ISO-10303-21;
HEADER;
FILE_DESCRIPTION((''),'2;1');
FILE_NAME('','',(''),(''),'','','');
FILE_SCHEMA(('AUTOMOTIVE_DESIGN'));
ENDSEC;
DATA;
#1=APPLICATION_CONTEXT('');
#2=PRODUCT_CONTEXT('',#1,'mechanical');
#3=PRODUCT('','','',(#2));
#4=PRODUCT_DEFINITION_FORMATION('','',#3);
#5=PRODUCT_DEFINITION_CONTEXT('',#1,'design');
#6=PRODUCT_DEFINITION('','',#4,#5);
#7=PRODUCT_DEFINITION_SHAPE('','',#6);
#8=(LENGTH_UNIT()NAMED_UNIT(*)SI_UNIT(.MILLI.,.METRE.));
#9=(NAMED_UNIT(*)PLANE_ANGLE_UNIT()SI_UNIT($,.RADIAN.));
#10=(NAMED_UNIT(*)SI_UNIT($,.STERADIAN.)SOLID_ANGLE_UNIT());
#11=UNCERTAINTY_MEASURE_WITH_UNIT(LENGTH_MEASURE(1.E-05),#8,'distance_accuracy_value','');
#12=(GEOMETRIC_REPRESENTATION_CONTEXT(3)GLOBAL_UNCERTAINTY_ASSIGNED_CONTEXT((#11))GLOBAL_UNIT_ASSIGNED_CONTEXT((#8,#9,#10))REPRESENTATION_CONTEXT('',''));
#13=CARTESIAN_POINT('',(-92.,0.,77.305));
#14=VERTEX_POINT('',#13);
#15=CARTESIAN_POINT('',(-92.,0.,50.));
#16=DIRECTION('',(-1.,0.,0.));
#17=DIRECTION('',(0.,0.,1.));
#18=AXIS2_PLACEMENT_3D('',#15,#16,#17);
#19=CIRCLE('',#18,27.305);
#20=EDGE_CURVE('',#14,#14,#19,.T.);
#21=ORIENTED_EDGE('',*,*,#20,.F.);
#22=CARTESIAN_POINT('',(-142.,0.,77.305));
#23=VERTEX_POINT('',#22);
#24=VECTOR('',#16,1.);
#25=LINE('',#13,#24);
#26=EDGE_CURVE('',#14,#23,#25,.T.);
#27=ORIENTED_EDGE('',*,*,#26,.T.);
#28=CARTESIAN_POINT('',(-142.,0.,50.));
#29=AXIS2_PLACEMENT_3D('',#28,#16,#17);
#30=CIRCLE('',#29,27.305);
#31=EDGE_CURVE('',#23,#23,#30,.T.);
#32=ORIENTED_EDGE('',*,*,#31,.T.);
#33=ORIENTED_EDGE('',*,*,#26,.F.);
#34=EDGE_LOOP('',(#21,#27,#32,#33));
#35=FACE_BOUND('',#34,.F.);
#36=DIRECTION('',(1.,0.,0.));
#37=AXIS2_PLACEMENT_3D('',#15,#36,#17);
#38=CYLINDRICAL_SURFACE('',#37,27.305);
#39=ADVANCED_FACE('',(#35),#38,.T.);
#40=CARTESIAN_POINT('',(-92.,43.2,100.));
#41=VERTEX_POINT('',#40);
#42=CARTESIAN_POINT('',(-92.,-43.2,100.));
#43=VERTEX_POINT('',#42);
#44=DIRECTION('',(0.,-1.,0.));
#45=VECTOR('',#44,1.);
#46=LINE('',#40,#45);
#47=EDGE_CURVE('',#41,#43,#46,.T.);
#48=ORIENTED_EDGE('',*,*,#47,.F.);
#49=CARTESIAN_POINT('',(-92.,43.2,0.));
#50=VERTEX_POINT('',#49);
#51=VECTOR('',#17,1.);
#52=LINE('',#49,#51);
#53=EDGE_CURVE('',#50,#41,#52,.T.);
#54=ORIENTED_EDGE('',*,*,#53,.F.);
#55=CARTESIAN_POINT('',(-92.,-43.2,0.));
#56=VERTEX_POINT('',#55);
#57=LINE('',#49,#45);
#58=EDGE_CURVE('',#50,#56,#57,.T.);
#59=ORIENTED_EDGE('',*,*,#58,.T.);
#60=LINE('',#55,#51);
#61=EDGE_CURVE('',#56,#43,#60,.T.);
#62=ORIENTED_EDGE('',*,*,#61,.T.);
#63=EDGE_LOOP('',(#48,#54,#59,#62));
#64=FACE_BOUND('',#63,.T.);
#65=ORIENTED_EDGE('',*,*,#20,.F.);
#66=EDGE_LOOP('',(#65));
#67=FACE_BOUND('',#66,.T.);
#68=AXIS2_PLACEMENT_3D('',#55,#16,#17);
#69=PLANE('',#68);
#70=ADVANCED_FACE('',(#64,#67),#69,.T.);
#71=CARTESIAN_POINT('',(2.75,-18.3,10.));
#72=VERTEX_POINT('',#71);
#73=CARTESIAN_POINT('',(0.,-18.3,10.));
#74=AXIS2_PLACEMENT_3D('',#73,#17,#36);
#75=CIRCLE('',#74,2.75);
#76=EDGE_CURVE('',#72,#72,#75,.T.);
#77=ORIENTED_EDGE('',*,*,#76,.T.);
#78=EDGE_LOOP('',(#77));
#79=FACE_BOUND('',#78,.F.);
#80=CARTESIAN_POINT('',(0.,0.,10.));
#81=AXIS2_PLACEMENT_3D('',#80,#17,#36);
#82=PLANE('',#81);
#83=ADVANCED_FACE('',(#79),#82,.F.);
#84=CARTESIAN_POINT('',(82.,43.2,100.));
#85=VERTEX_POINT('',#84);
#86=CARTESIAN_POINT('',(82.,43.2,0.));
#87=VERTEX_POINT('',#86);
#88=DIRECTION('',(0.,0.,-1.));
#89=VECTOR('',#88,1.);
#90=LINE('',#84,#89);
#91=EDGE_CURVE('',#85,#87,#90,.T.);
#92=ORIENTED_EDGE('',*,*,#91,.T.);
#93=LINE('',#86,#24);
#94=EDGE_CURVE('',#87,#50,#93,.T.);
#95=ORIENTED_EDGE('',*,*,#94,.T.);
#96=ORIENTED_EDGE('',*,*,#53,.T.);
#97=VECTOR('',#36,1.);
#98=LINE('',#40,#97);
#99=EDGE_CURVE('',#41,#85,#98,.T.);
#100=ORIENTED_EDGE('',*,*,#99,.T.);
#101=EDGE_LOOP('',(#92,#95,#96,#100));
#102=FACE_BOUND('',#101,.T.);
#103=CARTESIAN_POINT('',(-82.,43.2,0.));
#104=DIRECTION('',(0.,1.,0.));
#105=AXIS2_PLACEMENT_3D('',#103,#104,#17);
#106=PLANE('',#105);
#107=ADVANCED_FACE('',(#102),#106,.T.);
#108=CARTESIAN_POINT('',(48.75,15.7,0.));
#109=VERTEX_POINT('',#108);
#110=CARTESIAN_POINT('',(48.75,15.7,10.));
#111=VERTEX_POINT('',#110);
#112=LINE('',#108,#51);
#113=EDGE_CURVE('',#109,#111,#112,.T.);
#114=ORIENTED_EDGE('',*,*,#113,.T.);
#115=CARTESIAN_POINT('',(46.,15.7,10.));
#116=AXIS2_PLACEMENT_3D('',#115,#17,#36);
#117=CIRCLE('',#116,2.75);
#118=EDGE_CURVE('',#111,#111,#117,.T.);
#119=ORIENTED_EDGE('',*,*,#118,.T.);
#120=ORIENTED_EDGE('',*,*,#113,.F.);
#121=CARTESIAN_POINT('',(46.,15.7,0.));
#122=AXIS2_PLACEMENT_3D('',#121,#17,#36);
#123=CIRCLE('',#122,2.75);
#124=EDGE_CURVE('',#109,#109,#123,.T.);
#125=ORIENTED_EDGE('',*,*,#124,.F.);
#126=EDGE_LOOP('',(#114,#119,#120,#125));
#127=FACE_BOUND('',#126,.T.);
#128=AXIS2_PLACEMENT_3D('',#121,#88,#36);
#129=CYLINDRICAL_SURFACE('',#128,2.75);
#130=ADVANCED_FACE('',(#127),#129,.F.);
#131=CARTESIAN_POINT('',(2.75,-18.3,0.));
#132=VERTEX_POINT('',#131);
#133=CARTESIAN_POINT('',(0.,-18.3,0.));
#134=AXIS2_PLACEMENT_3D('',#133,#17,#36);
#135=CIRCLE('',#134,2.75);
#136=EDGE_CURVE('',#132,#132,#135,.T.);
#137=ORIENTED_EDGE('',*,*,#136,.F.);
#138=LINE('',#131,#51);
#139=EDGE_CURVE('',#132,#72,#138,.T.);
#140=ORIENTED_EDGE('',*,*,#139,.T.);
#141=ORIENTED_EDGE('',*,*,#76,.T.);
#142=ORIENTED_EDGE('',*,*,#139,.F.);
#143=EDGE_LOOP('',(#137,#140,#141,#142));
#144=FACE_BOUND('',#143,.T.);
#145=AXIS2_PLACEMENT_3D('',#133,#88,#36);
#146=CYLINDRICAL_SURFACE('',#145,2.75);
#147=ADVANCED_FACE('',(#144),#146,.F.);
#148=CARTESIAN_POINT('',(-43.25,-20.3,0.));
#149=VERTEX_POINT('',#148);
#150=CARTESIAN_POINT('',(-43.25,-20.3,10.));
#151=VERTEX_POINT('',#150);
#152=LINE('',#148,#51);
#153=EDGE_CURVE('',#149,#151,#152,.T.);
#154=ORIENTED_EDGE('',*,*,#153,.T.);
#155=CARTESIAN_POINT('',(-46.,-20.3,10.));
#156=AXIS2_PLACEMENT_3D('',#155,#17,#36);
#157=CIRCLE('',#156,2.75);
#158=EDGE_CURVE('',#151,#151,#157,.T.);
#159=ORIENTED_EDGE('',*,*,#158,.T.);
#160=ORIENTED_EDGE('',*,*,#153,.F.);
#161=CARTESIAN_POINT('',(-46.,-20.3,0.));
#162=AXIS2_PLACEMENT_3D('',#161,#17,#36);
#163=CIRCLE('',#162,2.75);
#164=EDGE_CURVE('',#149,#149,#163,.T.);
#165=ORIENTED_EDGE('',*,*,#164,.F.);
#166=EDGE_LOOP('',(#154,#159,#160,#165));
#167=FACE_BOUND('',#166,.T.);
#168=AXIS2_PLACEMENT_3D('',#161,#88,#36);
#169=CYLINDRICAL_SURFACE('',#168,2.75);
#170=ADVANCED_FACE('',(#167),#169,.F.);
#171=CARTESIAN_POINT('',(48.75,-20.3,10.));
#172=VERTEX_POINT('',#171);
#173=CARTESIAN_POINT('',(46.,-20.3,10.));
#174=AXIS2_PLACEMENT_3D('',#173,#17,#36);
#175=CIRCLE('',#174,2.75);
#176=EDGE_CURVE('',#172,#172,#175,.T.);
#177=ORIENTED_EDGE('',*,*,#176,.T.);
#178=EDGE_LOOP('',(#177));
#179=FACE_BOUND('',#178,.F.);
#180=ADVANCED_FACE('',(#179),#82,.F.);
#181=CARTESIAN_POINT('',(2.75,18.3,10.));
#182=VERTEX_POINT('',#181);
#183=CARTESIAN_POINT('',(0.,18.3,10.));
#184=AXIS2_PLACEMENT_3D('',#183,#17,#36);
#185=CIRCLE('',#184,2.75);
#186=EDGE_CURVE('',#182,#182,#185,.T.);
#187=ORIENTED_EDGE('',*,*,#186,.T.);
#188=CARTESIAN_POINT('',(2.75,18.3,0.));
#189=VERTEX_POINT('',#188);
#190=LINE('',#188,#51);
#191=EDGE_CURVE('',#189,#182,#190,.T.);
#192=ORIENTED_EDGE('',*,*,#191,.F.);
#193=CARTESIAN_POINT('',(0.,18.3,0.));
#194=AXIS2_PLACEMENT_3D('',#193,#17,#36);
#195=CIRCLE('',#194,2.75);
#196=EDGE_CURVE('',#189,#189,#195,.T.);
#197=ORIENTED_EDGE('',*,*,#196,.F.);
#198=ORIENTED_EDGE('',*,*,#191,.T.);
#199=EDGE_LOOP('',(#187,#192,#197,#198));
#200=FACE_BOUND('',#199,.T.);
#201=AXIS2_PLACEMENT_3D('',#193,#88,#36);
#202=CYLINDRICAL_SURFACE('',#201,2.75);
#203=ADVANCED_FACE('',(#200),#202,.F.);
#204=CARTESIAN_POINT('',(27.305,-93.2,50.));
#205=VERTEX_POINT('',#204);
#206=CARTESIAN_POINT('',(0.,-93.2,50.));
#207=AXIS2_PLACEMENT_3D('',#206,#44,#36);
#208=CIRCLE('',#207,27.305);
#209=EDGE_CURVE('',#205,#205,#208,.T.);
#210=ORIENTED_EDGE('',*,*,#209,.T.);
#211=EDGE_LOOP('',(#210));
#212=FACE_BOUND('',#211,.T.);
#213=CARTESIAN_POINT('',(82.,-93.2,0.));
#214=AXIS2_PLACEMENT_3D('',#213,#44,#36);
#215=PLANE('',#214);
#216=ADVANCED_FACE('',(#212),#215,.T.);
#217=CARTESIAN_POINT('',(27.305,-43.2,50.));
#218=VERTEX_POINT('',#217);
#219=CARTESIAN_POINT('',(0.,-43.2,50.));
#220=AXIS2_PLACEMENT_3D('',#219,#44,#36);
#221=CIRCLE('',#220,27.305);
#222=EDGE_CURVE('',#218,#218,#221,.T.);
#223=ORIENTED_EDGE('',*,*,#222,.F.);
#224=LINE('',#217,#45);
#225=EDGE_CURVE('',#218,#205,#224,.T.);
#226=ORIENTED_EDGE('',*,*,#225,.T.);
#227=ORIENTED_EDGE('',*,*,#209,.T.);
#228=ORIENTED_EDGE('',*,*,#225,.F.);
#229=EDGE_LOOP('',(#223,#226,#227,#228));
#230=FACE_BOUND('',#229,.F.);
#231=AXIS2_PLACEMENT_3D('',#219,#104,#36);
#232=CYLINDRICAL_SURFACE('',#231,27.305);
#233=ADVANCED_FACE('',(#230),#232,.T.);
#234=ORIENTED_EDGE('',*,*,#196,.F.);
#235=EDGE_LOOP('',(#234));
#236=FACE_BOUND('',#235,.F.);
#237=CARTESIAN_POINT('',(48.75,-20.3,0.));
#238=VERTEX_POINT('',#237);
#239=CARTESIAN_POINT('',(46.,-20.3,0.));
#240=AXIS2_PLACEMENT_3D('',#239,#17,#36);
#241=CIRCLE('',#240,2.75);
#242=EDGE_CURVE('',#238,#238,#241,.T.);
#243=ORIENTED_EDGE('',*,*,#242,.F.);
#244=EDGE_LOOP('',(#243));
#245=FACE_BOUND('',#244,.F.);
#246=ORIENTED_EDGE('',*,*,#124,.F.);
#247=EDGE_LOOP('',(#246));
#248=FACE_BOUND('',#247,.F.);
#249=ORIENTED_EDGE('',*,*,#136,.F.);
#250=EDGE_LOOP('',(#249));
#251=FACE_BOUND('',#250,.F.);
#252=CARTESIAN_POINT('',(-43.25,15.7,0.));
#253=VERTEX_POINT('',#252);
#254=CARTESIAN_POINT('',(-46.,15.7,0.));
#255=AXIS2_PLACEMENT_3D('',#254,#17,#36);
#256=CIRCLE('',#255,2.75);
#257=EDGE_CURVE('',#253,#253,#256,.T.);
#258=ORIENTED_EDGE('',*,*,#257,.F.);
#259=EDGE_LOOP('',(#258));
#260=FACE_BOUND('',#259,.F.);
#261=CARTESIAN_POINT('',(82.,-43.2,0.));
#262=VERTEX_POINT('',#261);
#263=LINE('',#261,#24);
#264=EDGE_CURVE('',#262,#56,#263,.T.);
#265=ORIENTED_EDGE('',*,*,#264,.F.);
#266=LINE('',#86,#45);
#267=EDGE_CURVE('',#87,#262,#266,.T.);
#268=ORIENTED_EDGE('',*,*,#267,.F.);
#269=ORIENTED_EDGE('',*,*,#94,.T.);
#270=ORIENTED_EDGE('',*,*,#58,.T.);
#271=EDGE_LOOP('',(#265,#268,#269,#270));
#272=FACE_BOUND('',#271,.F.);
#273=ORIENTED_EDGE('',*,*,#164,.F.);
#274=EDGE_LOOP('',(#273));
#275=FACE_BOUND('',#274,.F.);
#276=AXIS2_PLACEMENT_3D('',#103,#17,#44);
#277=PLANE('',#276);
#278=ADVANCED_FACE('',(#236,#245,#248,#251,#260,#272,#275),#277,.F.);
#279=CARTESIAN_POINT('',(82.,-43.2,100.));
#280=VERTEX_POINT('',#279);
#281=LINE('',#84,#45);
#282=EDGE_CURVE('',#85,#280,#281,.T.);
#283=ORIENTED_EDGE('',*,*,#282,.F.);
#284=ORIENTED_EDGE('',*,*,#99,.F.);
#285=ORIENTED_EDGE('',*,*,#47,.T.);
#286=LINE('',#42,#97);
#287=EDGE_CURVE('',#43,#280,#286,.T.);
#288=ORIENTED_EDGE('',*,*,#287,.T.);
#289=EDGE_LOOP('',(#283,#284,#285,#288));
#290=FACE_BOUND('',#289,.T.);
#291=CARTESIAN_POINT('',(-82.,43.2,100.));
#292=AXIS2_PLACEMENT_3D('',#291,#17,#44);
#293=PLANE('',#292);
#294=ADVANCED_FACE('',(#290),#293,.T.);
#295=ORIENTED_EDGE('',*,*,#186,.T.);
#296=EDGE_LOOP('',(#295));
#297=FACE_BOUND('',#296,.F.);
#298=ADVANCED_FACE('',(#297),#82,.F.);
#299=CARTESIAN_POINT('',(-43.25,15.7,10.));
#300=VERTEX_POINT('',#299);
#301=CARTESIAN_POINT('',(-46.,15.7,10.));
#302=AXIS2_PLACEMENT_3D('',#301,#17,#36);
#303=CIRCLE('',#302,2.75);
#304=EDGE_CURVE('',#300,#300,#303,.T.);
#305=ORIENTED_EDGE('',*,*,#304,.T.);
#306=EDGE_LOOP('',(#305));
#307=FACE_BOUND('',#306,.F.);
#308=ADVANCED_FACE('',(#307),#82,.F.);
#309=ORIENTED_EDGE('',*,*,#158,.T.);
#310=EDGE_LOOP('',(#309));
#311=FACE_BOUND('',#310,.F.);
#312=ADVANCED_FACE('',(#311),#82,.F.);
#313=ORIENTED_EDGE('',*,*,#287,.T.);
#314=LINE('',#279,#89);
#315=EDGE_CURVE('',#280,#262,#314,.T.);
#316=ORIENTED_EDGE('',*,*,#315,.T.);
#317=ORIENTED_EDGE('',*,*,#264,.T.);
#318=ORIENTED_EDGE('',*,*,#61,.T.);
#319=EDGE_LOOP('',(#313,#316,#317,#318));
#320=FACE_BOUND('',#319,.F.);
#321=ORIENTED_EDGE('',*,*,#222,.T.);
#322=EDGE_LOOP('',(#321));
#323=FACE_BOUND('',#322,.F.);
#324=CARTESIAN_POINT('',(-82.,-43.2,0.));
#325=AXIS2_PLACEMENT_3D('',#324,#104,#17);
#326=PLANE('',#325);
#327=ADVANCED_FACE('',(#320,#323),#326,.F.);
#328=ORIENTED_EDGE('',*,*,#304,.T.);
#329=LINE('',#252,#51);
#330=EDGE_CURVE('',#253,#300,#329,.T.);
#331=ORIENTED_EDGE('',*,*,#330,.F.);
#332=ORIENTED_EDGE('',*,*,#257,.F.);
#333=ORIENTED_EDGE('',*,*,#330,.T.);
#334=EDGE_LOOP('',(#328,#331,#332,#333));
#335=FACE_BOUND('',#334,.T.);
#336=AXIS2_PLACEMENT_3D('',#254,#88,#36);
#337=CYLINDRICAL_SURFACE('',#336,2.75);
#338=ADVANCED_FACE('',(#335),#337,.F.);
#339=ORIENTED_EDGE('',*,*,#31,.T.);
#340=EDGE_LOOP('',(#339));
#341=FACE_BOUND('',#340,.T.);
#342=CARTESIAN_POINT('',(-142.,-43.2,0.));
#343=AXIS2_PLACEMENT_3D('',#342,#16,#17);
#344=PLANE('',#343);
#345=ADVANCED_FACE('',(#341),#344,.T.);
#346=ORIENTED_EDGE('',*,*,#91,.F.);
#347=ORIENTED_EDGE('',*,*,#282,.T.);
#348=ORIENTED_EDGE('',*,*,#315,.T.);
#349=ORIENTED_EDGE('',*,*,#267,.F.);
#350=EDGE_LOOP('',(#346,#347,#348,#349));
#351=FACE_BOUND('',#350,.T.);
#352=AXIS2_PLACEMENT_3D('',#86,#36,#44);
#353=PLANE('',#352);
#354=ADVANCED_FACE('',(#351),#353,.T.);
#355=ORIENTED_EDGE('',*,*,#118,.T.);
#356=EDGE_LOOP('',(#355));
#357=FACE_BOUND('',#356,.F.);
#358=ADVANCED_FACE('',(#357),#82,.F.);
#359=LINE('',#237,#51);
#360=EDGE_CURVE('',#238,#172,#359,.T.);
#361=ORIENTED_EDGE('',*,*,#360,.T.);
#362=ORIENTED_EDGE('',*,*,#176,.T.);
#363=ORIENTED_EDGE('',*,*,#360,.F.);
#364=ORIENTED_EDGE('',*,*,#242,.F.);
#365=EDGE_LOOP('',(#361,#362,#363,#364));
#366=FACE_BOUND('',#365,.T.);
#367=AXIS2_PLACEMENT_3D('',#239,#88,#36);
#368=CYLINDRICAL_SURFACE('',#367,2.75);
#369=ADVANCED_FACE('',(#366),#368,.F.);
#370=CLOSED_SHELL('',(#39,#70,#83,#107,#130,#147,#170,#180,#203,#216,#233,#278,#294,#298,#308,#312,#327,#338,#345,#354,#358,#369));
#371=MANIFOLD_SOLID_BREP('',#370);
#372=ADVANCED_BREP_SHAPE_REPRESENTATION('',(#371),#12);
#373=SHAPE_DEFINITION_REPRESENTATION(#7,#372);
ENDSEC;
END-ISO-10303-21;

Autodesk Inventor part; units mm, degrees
ref_plane "YZ Plane" through (0, 0, 0) normal (1, 0, 0) x (0, 1, 0)
ref_plane "XZ Plane" through (0, 0, 0) normal (0, 1, 0) x (-1, 0, 0)
ref_plane "XY Plane" through (0, 0, 0) normal (0, 0, 1) x (1, 0, 0)
sketch "Sketch1" plane through (0, 0, 0) normal (0, 0, 1) x (1, 0, 0)
  line L0 (-13.5, 24) -> (13.5, 24) construction
  line L1 (13.5, 24) -> (13.5, -24) construction
  line L2 (13.5, -24) -> (-13.5, -24) construction
  line L3 (-13.5, -24) -> (-13.5, 24) construction
  line L4 (-13.5, 0) -> (13.5, 0) construction
  line L5 (0, -24) -> (0, 24) construction
  circle A0 centre (0, 18.3) radius 2.75
  circle A1 centre (0, -18.3) radius 2.75
  line L6 (-60, 21.2) -> (-32, 21.2) construction
  line L7 (-32, 21.2) -> (-32, -25.8) construction
  line L8 (-32, -25.8) -> (-60, -25.8) construction
  line L9 (-60, -25.8) -> (-60, 21.2) construction
  line L10 (-46, 21.2) -> (-46, -25.8) construction
  line L11 (-60, -2.3) -> (-32, -2.3) construction
  circle A2 centre (-46, 15.7) radius 2.75
  circle A3 centre (-46, -20.3) radius 2.75
  circle A4 centre (46, 15.7) radius 2.75
  circle A5 centre (46, -20.3) radius 2.75
  line L12 (-82, 43.2) -> (82, 43.2)
  line L13 (82, 43.2) -> (82, -43.2)
  line L14 (82, -43.2) -> (-82, -43.2)
  line L15 (-82, -43.2) -> (-82, 43.2)
  point P0 (0, 0)
  point P1 (0, 0)
  dimension "d0" = 27
  dimension "d1" = 48
  dimension "d2" = 5.5
  dimension "d3" = 36.6
  dimension "d4" = 28
  dimension "d5" = 47
  dimension "d7" = 2.3
  dimension "d8" = 46
  dimension "d9" = 5.5
  dimension "d10" = 36
  dimension "d11" = 22
  dimension "d19" = 43.2
extrude "Extrusion1" add sketch "Sketch1" along normal blind 10
sketch "Sketch3" plane through (0, 0, 10) normal (0, 0, 1) x (1, 0, 0)
  line L0 (-82, 43.2) -> (-82, -43.2) projected
  line L1 (-82, -43.2) -> (82, -43.2) projected
  line L2 (-82, 43.2) -> (82, 43.2)
  line L3 (82, 43.2) -> (82, -43.2)
  line L4 (82, -43.2) -> (-82, -43.2)
  line L5 (-82, -43.2) -> (-82, 43.2)
  point P0 (0, 0)
extrude "Extrusion3" add sketch "Sketch3" along normal blind 90
sketch "Sketch4" plane through (-82, -43.2, 0) normal (-1, 0, 0) x (0, 0, 1)
  line L0 (0, 86.4) -> (0, 0) projected
  line L1 (0, 0) -> (100, 0) projected
  line L2 (100, 86.4) -> (100, 0) projected
  line L3 (0, 86.4) -> (100, 86.4) projected
  point P0 (0, 43.2)
extrude "Extrusion4" add sketch "Sketch4" along normal blind 10
sketch "Sketch5" plane through (-92, -43.2, 0) normal (-1, 0, 0) x (0, 0, 1)
  line L0 (0, 43.2) -> (100, 43.2) construction
  line L1 (100, 0) -> (100, 86.4) construction
  line L2 (0, 86.4) -> (100, 86.4) construction
  line L3 (50, 86.4) -> (50, 0) construction
  line L4 (0, 0) -> (100, 0) construction
  circle A0 centre (50, 43.2) radius 27.305
  dimension "d22" = 54.61
extrude "Extrusion5" add sketch "Sketch5" along normal blind 50
sketch "Sketch6" plane through (82, -43.2, 0) normal (0, -1, 0) x (1, 0, 0)
  line L0 (0, 0) -> (0, 100) construction
  line L1 (0, 50) -> (-174, 50) construction
  line L2 (-174, 100) -> (-174, 0) construction
  line L3 (-82, 0) -> (-82, 100) construction
  line L4 (0, 100) -> (-174, 100) construction
  circle A0 centre (-82, 50) radius 27.305
  dimension "d25" = 54.61
extrude "Extrusion6" add sketch "Sketch6" along normal blind 50
properties part number "aux_L"
